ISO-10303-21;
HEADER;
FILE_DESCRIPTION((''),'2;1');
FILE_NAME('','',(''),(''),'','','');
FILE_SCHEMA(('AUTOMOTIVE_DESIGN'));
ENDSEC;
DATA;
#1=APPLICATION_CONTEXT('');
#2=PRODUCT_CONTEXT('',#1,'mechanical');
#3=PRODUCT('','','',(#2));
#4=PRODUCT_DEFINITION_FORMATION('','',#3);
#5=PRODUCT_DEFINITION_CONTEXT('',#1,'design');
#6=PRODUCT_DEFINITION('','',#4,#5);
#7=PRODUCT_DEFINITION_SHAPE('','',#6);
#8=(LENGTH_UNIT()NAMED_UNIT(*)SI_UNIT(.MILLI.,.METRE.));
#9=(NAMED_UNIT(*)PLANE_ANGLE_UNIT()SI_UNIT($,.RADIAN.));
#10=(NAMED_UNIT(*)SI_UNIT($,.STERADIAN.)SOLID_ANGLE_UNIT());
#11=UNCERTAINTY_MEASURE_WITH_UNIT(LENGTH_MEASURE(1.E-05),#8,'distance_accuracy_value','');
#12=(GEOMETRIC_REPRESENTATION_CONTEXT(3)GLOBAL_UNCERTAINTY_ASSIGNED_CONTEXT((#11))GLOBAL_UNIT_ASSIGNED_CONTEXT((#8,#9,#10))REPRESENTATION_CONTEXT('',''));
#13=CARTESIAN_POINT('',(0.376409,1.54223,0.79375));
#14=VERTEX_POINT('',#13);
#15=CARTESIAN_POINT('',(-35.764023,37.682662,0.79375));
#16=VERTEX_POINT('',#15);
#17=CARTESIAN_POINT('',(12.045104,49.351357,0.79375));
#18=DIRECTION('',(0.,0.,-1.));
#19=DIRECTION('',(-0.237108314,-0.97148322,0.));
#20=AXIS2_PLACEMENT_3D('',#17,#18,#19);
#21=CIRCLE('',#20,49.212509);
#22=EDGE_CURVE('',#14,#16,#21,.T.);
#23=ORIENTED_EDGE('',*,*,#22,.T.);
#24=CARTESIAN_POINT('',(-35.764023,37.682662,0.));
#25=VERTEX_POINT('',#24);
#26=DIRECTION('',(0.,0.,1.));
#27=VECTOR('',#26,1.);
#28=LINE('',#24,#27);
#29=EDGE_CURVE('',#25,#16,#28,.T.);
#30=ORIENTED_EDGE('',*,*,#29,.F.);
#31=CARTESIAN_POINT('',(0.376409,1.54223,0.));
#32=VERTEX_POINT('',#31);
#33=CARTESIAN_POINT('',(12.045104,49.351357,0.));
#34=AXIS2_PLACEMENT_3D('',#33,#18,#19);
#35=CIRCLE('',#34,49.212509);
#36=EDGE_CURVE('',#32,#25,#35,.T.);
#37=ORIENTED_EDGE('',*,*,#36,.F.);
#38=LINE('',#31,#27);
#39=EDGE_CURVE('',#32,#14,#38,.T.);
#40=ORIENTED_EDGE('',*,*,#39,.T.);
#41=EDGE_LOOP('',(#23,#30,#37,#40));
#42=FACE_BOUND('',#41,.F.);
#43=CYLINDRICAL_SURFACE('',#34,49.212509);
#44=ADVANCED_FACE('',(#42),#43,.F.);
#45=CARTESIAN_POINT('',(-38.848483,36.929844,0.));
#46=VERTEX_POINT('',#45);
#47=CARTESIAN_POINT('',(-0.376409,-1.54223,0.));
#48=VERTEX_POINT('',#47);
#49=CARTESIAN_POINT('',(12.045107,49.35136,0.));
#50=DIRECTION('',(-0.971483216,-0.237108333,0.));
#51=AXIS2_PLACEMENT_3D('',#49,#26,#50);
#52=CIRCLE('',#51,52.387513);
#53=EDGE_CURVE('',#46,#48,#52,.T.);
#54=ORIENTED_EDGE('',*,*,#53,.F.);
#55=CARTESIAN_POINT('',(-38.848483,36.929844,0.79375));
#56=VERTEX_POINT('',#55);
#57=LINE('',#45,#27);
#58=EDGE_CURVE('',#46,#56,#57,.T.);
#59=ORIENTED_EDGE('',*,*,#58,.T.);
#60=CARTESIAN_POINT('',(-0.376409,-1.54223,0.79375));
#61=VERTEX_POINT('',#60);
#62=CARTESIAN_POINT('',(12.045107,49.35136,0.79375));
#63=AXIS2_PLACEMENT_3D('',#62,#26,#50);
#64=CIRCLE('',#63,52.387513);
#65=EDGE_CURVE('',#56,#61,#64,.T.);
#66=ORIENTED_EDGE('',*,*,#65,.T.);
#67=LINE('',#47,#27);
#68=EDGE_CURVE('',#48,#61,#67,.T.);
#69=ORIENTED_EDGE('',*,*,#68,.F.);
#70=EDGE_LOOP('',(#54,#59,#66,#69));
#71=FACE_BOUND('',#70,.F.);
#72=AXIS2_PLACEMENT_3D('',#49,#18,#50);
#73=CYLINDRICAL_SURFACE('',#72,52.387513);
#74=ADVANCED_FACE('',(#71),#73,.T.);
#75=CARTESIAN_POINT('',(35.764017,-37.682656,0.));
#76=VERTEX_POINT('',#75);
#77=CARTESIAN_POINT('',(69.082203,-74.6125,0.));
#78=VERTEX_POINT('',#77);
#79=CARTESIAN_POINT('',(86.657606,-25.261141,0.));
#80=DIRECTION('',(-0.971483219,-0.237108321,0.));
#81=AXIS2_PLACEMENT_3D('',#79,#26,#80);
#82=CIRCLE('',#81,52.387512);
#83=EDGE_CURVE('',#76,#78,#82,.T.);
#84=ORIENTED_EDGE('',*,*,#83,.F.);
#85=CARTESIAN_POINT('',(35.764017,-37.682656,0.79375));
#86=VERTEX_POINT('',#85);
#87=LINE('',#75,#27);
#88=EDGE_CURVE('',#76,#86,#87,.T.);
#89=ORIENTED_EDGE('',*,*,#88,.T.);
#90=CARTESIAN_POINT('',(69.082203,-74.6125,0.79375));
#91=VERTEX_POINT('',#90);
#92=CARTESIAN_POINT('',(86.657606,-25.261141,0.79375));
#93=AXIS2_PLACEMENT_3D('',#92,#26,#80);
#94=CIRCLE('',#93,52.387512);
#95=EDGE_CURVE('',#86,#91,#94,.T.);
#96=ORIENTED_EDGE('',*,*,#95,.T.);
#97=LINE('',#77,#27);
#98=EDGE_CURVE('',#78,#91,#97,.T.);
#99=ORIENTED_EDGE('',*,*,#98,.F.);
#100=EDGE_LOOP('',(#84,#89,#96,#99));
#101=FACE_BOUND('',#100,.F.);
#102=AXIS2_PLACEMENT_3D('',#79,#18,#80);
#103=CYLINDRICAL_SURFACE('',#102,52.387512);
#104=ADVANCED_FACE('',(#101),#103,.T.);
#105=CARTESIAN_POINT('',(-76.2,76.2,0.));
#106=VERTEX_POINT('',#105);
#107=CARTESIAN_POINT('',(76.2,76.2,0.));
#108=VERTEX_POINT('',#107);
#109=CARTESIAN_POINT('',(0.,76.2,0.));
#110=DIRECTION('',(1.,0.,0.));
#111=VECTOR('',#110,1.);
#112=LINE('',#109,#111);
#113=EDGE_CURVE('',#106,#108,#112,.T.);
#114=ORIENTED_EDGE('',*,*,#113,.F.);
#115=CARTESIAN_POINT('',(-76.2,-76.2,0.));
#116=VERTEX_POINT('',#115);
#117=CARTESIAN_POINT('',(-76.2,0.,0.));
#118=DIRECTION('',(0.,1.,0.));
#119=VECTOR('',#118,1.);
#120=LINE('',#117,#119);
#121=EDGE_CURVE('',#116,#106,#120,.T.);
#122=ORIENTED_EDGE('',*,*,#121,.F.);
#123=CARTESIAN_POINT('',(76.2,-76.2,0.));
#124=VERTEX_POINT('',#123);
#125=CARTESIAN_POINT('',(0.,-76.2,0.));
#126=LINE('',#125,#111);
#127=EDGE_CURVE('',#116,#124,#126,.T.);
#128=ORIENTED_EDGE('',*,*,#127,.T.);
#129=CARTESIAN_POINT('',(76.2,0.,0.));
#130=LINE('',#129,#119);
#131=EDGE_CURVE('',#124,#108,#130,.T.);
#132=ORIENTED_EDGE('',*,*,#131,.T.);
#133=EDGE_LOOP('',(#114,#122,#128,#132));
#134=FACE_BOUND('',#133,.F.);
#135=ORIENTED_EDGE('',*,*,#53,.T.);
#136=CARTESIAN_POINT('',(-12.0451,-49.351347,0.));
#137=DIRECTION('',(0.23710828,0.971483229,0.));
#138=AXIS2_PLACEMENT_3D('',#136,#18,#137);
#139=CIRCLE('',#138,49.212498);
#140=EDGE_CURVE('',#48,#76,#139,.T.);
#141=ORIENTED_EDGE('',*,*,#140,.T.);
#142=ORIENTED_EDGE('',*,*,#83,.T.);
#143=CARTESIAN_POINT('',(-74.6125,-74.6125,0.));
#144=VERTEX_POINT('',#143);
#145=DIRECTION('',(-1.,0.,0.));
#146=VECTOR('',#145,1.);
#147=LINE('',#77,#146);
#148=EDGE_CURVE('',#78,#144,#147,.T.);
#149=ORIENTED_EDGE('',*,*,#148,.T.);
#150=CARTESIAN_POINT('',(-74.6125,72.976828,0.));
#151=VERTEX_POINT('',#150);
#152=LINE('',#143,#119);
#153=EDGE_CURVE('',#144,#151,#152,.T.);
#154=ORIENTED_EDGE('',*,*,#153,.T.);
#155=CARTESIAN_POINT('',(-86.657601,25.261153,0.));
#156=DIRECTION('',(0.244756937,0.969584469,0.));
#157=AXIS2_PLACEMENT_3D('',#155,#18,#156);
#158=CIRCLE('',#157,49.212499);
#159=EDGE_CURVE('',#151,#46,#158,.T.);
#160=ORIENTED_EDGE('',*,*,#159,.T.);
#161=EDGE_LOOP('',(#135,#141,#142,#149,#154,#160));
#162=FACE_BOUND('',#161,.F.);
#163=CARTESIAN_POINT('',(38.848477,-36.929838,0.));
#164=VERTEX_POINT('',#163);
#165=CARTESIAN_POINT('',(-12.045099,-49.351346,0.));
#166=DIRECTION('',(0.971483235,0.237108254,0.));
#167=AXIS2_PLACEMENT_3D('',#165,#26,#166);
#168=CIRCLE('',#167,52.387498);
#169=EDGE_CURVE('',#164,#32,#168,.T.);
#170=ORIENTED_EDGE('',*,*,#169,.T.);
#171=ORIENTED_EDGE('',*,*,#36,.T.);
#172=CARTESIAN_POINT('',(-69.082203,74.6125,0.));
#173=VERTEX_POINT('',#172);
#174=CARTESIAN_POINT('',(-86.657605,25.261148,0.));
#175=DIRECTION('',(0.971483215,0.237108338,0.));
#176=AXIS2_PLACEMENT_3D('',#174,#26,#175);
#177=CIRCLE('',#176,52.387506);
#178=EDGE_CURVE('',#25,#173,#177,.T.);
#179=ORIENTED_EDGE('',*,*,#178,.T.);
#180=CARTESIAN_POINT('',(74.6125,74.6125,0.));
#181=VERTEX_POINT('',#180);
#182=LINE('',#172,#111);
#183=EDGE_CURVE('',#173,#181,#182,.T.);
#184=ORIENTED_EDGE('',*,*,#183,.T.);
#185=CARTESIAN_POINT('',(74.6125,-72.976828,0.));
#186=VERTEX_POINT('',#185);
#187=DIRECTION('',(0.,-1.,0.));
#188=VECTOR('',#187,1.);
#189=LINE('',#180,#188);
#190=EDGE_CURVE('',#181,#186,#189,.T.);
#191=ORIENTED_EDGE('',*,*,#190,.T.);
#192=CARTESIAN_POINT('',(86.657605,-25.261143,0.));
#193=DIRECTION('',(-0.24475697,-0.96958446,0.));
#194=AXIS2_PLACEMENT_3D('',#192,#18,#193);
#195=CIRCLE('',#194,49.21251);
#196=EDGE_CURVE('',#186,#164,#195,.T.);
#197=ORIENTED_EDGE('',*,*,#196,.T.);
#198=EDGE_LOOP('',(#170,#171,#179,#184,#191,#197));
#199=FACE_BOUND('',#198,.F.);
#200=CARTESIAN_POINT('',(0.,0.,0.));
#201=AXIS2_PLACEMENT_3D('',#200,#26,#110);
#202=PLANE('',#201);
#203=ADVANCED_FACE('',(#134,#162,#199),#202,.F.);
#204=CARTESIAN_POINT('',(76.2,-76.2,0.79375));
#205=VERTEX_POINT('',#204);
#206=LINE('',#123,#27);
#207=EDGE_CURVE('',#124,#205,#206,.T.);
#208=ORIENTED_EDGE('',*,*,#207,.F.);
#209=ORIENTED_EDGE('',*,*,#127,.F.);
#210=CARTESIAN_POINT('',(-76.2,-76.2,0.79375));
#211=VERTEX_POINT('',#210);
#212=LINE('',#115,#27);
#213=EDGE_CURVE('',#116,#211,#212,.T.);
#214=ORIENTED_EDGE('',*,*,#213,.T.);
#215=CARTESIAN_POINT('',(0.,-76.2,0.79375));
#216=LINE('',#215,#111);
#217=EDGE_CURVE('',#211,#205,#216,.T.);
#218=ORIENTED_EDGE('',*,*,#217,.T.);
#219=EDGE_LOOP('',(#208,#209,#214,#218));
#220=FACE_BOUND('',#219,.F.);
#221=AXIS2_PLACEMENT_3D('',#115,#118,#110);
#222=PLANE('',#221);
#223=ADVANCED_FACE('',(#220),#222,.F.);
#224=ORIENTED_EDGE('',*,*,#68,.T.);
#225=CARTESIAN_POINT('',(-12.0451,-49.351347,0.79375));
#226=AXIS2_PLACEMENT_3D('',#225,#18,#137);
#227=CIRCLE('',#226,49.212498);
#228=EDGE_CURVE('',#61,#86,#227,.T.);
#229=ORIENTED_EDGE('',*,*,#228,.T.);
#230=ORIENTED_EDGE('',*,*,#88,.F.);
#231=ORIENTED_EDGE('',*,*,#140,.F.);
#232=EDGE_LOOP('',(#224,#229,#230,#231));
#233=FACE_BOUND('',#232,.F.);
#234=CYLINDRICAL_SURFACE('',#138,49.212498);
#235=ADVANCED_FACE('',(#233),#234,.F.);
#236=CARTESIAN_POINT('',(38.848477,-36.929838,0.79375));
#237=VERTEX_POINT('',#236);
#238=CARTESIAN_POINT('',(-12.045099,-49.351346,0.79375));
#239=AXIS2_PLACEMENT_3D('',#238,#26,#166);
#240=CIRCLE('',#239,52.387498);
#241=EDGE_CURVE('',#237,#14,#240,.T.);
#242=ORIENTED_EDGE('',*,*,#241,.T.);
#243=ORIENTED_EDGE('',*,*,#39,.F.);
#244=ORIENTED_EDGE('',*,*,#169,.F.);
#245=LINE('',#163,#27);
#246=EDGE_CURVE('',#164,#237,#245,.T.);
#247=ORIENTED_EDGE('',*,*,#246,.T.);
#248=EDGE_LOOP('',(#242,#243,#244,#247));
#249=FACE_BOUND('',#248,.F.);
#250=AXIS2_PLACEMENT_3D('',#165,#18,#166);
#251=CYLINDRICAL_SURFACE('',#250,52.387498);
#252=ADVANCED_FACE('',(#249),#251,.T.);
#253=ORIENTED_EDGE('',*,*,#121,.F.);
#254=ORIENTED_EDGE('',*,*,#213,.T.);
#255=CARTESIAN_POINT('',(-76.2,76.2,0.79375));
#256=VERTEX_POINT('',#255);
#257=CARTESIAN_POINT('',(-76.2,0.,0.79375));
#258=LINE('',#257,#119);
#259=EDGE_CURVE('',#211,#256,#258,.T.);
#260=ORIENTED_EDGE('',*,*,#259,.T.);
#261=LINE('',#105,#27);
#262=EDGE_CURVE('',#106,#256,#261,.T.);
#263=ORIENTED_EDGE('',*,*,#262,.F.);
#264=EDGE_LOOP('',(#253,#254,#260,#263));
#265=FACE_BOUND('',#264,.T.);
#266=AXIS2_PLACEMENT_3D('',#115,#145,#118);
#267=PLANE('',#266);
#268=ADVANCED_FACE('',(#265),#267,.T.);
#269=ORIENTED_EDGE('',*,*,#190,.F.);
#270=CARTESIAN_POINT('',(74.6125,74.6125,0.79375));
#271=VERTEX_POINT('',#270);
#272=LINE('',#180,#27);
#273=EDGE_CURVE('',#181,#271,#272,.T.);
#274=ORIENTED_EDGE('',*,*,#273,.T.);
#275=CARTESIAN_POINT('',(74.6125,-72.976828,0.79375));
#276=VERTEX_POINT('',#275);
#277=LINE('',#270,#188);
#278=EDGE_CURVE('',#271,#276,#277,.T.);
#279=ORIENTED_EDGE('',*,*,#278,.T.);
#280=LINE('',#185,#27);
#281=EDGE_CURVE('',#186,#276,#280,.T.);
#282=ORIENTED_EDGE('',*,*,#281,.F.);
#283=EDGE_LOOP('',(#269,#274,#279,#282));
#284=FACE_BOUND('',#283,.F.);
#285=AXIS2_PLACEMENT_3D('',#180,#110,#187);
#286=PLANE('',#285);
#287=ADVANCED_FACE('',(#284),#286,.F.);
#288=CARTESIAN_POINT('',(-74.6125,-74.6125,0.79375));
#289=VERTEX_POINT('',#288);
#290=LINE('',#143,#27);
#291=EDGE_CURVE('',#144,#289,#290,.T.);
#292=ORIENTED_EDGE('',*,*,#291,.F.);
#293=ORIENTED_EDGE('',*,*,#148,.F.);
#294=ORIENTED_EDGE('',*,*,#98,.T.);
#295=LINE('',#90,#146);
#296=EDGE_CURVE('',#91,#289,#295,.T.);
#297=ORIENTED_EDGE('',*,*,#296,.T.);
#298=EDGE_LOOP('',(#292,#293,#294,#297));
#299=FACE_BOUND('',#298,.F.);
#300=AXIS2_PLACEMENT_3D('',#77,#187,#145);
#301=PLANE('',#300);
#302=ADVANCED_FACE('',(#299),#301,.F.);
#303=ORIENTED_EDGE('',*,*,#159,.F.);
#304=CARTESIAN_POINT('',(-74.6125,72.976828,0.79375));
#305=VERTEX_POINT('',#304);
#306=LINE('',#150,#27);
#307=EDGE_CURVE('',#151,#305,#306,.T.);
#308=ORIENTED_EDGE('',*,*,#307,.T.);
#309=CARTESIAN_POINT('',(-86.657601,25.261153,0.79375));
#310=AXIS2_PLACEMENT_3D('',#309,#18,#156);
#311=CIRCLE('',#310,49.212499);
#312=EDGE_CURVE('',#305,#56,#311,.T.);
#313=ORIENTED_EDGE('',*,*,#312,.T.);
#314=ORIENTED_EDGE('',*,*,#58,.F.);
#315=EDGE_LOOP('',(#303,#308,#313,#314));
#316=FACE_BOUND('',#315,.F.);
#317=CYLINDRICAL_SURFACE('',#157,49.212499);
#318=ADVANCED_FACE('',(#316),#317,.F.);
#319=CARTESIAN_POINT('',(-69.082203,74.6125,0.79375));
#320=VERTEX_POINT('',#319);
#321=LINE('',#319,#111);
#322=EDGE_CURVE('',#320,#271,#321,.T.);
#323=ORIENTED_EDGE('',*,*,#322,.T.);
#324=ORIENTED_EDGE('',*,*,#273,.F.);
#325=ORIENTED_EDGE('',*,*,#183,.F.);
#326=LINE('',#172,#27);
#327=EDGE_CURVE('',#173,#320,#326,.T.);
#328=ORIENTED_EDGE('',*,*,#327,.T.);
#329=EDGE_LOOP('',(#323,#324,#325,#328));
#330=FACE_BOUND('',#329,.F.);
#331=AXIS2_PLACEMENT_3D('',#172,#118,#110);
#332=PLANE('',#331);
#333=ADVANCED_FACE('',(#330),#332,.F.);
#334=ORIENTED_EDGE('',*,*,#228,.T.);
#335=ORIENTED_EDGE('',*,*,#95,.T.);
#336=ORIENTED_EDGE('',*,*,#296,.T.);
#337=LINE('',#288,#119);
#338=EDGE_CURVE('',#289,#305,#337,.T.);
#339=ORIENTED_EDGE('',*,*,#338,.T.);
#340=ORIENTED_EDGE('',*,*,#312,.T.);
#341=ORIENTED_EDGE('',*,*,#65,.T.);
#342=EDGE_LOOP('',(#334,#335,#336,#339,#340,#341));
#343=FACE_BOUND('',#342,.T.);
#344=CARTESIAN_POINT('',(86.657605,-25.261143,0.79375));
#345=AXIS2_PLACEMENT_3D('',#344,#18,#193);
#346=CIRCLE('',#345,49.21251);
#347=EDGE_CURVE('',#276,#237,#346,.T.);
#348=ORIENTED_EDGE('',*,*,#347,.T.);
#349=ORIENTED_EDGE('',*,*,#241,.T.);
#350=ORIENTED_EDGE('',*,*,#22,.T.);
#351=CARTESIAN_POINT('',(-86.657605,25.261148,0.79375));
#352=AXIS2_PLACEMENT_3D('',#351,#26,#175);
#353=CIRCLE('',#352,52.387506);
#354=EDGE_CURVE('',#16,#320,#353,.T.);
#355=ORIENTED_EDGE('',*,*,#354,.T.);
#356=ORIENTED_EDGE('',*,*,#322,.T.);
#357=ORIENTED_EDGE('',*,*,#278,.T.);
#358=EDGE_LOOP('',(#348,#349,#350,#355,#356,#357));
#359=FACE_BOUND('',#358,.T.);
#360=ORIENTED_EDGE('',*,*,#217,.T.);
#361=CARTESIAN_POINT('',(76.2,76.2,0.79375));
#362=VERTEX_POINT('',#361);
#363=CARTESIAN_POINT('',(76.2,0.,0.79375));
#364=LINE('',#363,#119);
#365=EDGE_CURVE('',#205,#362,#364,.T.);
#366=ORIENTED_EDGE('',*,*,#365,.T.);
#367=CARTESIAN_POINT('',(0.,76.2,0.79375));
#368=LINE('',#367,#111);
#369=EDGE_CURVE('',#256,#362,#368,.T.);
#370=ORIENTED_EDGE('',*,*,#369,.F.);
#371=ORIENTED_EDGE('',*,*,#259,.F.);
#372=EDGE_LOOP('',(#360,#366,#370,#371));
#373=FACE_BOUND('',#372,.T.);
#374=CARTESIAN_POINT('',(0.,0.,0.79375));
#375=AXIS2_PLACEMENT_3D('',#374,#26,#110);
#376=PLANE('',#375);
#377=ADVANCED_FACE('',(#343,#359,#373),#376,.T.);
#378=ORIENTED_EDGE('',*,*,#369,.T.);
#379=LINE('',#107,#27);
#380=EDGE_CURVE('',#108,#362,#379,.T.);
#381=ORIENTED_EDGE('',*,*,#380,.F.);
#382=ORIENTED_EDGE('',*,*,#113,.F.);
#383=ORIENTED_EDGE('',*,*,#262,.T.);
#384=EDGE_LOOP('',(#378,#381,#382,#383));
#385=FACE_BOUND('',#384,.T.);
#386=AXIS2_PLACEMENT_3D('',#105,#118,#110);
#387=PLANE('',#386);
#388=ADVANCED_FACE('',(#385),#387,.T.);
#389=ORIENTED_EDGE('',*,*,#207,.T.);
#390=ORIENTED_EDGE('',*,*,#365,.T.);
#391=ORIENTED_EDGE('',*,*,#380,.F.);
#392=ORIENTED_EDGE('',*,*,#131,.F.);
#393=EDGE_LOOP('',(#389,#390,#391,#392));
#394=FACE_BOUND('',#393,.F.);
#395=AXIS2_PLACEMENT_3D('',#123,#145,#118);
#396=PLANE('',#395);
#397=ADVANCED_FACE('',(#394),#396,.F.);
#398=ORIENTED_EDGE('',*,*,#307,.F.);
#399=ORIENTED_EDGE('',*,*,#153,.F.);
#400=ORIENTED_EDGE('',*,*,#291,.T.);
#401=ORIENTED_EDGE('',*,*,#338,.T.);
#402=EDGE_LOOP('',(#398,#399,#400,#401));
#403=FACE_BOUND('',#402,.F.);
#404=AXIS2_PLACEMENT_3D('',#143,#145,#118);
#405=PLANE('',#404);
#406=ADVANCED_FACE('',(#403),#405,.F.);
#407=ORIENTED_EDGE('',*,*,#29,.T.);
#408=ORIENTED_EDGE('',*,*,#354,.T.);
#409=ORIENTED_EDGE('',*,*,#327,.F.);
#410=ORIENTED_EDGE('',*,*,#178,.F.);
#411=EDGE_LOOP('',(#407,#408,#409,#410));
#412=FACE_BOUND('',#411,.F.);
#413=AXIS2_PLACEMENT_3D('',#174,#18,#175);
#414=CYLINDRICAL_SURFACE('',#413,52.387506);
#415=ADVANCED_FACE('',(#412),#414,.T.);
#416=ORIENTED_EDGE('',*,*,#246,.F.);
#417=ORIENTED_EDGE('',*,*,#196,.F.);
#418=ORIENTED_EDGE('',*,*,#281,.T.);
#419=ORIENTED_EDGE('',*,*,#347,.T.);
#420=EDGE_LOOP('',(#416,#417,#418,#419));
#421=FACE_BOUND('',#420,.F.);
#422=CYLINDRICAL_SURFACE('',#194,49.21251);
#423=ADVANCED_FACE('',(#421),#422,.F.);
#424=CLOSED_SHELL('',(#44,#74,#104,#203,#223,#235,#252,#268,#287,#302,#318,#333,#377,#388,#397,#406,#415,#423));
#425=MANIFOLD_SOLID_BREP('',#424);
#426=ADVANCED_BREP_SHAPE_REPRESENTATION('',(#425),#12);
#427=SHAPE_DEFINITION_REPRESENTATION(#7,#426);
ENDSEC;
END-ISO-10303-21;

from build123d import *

# Parameters (mm, degrees)
F0_W     = 152.4
F0_H     = 152.4
F1_DEPTH = 0.79375


with BuildPart() as f1:
    # F0 (on Top) → F1 (new body)
    with BuildSketch(Plane.XY):
        Rectangle(F0_W, F0_H)
        with BuildLine():
            Line((-74.6125, -74.6125), (-74.6125, 72.976828))
            ThreePointArc((-74.6125, 72.976828), (-51.722258, 59.922254), (-38.848483, 36.929844))
            ThreePointArc((-38.848483, 36.929844), (-24.998459, 12.307794), (-0.376409, -1.54223))
            ThreePointArc((-0.376409, -1.54223), (22.753391, -14.552855), (35.764017, -37.682656))
            ThreePointArc((35.764017, -37.682656), (47.760896, -60.353838), (69.082203, -74.6125))
            Line((69.082203, -74.6125), (-74.6125, -74.6125))
        make_face(mode=Mode.SUBTRACT)
        with BuildLine():
            ThreePointArc((-35.764023, 37.682662), (-47.7609, 60.35384), (-69.082203, 74.6125))
            Line((-69.082203, 74.6125), (74.6125, 74.6125))
            Line((74.6125, 74.6125), (74.6125, -72.976828))
            ThreePointArc((74.6125, -72.976828), (51.722255, -59.922252), (38.848477, -36.929838))
            ThreePointArc((38.848477, -36.929838), (24.998456, -12.307791), (0.376409, 1.54223))
            ThreePointArc((0.376409, 1.54223), (-22.753395, 14.552858), (-35.764023, 37.682662))
        make_face(mode=Mode.SUBTRACT)
    extrude(amount=F1_DEPTH)


solid = f1.part
